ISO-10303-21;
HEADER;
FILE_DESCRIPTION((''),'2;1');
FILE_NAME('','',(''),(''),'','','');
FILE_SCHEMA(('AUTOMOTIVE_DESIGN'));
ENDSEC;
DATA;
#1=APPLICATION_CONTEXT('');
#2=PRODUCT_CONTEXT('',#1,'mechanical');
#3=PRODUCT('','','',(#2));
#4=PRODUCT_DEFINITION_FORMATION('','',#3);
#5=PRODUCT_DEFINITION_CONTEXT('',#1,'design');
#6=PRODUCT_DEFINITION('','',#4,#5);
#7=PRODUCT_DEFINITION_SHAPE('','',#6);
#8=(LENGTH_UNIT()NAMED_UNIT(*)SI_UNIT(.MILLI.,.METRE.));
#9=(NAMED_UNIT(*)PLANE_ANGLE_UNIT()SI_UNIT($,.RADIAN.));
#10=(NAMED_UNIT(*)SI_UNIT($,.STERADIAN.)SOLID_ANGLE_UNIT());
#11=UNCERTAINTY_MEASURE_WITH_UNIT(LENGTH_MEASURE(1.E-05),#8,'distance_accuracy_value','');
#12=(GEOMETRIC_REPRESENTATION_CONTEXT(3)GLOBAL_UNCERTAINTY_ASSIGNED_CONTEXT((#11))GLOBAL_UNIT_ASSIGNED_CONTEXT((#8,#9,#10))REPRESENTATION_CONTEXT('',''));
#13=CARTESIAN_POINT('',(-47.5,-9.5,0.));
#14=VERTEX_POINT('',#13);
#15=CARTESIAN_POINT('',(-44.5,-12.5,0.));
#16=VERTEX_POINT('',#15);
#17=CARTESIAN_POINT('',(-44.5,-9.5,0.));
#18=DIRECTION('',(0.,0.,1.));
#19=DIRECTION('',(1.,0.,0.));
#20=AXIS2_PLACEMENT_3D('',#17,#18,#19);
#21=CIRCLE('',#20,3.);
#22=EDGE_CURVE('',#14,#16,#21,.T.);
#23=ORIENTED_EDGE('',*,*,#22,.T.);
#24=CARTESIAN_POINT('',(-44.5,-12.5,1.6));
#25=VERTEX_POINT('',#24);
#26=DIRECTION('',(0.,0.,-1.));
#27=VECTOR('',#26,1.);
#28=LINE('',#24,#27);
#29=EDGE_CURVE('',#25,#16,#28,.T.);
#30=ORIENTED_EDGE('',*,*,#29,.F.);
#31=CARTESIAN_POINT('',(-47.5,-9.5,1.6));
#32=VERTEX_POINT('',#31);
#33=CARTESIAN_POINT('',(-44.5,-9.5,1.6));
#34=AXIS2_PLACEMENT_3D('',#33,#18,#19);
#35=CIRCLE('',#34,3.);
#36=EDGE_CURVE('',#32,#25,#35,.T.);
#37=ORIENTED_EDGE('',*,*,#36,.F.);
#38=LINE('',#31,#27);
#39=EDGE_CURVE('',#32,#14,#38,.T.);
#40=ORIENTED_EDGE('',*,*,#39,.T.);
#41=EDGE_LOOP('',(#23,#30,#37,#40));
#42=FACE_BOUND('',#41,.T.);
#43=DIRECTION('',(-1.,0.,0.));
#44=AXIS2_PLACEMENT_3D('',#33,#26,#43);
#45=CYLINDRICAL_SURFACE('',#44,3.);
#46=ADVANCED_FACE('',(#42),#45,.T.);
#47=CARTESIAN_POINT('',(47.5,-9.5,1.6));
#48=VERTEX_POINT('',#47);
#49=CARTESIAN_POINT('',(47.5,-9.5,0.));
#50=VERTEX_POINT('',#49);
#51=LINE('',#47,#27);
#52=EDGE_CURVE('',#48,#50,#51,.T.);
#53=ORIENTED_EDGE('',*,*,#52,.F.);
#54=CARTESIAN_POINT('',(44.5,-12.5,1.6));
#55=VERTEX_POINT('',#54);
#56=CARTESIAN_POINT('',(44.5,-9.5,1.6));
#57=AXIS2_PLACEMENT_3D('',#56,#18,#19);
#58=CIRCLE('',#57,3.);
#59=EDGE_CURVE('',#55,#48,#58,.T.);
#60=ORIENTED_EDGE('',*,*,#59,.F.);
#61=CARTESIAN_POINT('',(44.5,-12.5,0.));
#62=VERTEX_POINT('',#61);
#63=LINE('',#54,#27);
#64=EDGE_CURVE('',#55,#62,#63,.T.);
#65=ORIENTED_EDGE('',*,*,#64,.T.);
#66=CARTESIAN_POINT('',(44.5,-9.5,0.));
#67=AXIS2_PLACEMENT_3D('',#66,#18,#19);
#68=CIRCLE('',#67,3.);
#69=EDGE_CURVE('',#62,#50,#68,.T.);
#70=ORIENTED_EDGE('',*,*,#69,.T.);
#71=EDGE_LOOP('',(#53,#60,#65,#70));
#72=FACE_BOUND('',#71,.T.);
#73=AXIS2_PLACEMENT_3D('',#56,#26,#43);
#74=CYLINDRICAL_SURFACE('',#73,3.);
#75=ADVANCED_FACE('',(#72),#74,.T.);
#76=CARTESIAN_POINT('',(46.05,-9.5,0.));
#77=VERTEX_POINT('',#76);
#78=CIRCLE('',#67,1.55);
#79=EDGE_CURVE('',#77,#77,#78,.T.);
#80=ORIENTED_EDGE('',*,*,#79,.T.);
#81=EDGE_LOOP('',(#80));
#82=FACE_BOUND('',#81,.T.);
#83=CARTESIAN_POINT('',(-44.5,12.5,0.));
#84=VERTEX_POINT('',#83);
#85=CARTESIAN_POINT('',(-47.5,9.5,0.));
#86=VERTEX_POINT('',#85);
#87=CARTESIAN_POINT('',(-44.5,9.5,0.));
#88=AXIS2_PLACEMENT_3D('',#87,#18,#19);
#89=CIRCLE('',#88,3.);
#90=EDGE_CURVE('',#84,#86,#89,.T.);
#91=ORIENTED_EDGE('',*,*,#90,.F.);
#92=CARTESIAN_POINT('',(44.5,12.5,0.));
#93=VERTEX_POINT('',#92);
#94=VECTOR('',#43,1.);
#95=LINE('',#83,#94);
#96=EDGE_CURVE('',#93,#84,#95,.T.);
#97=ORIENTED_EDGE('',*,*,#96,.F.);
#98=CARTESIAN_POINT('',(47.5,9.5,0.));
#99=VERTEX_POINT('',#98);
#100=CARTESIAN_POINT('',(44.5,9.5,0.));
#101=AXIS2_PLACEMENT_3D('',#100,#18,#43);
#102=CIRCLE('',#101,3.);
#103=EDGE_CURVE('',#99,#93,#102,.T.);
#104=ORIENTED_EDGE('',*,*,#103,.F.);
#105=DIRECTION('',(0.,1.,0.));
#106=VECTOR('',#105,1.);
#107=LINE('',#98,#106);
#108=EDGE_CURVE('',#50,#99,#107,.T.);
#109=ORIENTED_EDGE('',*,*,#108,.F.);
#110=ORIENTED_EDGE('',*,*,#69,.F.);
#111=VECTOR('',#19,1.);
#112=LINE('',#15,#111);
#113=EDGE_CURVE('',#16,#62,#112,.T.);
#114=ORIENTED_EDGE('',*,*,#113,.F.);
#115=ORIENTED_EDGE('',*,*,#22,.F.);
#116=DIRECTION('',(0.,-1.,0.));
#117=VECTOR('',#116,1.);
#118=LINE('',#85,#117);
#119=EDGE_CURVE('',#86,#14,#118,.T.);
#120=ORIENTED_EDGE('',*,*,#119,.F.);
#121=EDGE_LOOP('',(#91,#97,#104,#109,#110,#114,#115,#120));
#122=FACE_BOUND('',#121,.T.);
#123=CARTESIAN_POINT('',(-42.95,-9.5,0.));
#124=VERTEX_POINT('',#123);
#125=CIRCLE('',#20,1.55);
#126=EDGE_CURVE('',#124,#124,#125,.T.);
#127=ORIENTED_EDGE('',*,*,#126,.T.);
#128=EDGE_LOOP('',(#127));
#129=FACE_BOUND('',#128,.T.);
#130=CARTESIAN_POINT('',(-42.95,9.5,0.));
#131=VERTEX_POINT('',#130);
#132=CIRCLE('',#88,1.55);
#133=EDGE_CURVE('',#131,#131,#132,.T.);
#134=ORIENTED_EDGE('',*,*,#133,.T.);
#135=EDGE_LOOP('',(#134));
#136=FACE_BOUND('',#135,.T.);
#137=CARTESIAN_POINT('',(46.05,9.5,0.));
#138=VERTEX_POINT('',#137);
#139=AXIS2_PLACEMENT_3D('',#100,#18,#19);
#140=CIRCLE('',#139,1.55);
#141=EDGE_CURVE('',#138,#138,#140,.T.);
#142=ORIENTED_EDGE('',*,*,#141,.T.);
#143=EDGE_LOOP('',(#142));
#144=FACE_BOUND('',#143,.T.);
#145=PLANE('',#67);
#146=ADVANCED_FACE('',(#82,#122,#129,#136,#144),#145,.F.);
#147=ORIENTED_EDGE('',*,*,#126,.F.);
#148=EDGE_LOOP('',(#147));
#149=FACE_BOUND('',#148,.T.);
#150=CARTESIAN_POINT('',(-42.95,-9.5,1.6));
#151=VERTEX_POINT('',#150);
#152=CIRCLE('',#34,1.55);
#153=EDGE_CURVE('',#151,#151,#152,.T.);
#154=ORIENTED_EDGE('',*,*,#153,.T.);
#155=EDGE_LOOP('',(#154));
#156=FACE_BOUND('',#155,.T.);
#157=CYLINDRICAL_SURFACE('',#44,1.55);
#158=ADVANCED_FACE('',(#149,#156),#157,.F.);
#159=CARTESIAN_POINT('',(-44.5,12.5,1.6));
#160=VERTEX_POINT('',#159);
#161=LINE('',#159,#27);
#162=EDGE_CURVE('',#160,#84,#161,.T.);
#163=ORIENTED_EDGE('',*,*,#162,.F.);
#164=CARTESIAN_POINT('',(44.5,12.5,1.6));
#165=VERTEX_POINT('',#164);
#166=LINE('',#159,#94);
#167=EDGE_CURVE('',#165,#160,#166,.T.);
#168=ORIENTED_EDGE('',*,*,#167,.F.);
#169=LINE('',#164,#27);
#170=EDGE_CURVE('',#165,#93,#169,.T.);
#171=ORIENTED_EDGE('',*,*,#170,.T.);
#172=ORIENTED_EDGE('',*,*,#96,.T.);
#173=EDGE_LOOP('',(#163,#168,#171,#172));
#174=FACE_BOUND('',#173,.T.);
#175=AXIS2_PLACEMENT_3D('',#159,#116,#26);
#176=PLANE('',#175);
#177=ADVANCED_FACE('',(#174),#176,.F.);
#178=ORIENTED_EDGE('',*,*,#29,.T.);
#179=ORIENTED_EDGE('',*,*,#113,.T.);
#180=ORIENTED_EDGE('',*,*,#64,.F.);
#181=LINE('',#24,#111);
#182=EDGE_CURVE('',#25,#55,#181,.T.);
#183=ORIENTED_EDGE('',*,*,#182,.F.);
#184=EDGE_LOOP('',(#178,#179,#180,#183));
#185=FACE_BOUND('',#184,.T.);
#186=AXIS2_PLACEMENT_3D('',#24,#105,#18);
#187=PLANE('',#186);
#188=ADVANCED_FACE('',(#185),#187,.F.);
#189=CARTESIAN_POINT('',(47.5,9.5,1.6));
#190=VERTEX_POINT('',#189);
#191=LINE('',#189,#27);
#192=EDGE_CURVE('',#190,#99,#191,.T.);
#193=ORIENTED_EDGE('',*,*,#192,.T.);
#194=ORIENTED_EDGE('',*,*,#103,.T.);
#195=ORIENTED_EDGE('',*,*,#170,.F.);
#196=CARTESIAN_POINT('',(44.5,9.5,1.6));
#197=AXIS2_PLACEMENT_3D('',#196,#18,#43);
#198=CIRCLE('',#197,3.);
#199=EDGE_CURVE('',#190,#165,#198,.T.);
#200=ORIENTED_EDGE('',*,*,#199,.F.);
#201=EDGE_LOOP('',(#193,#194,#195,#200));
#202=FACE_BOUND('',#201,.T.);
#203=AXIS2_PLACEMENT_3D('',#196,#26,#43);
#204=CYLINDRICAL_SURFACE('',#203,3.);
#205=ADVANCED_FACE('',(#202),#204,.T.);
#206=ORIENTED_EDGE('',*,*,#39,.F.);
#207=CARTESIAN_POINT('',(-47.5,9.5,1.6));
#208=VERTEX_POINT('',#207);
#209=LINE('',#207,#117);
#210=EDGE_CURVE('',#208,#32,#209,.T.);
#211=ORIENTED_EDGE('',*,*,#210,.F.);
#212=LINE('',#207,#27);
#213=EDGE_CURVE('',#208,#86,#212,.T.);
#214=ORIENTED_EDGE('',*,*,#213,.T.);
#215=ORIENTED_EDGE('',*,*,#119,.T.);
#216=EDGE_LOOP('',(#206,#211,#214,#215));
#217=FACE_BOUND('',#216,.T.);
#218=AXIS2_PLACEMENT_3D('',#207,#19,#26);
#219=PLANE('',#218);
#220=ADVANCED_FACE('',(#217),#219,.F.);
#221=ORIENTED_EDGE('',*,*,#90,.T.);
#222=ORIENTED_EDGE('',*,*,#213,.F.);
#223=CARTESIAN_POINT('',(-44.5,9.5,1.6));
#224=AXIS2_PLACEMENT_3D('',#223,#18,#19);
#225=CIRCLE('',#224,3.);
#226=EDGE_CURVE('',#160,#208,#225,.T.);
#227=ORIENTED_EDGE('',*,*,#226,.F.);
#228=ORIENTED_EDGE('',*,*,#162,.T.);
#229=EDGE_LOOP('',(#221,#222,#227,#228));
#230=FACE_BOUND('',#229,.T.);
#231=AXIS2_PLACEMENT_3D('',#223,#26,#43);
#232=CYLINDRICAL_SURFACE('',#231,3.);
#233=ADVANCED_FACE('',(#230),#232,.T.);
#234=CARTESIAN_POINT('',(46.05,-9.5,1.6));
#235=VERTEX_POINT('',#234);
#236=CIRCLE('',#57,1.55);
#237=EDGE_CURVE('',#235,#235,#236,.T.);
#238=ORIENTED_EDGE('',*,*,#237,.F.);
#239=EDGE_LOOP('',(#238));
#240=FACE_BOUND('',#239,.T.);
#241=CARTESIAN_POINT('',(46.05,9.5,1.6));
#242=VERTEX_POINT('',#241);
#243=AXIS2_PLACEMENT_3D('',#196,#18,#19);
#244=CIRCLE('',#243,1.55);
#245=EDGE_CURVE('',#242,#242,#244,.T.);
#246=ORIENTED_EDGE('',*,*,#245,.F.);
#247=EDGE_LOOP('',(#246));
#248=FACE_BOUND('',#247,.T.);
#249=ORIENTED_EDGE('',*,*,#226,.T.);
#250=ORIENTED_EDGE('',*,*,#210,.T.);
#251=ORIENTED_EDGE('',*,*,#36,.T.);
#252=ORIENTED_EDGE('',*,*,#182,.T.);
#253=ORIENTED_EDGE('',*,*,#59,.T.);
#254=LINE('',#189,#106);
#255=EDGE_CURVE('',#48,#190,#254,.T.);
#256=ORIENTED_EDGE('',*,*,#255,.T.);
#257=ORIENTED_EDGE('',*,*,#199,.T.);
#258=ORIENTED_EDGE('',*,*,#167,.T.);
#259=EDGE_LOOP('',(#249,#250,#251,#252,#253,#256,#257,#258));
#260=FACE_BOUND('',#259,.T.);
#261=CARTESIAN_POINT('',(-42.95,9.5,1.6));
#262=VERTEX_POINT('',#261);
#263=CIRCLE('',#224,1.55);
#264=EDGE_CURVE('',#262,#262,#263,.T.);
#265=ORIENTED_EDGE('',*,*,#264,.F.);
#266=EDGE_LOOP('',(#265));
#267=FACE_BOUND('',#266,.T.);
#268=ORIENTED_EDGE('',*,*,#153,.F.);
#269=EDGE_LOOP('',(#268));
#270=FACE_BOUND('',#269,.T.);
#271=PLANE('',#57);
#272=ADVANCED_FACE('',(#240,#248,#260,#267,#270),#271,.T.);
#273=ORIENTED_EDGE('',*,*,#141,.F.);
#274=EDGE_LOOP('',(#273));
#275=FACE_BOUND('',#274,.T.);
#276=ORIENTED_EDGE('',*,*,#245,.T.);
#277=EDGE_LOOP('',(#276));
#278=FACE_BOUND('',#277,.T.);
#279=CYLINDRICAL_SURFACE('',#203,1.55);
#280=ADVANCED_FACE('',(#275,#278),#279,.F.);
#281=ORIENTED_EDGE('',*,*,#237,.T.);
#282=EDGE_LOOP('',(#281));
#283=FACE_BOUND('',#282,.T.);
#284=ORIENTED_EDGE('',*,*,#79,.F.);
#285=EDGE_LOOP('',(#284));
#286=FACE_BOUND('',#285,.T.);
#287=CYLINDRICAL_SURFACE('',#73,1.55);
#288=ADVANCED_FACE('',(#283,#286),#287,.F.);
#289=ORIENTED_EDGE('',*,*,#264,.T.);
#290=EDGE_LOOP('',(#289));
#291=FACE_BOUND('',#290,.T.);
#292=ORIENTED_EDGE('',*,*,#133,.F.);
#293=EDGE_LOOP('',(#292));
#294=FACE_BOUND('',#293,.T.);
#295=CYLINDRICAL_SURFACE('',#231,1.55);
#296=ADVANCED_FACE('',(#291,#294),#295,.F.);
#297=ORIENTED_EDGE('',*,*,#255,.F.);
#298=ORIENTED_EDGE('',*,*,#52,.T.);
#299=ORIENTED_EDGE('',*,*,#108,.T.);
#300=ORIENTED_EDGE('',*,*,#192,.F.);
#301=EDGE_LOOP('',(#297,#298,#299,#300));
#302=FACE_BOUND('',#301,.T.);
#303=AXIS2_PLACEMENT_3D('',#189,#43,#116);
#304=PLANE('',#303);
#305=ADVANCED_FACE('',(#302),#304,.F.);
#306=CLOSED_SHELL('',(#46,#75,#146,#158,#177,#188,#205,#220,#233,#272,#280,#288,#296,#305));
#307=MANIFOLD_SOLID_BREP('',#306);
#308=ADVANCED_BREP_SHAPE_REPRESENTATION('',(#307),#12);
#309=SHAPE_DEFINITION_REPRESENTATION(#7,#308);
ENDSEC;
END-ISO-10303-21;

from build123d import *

# Parameters (mm, degrees)
SKETCH_1_R      = 1.55
EXTRUDE_1_DEPTH = 1.6


with BuildPart() as part:
    # Эскиз1 → Бобышка-Вытянуть1 (new body)
    with BuildSketch(Plane.XY):
        with BuildLine():
            Line((-44.5, 12.5), (44.5, 12.5))
            ThreePointArc((44.5, 12.5), (46.621320344, 11.621320344), (47.5, 9.5))
            Line((47.5, 9.5), (47.5, -9.5))
            ThreePointArc((47.5, -9.5), (46.621320344, -11.621320344), (44.5, -12.5))
            Line((44.5, -12.5), (-44.5, -12.5))
            ThreePointArc((-44.5, -12.5), (-46.621320344, -11.621320344), (-47.5, -9.5))
            Line((-47.5, -9.5), (-47.5, 9.5))
            ThreePointArc((-47.5, 9.5), (-46.621320344, 11.621320344), (-44.5, 12.5))
        make_face()
        with Locations((-44.5, 9.5)):
            Circle(SKETCH_1_R, mode=Mode.SUBTRACT)
        with Locations((-44.5, -9.5)):
            Circle(SKETCH_1_R, mode=Mode.SUBTRACT)
        with Locations((44.5, -9.5)):
            Circle(SKETCH_1_R, mode=Mode.SUBTRACT)
        with Locations((44.5, 9.5)):
            Circle(SKETCH_1_R, mode=Mode.SUBTRACT)
    extrude(amount=EXTRUDE_1_DEPTH)


solid = part.part
